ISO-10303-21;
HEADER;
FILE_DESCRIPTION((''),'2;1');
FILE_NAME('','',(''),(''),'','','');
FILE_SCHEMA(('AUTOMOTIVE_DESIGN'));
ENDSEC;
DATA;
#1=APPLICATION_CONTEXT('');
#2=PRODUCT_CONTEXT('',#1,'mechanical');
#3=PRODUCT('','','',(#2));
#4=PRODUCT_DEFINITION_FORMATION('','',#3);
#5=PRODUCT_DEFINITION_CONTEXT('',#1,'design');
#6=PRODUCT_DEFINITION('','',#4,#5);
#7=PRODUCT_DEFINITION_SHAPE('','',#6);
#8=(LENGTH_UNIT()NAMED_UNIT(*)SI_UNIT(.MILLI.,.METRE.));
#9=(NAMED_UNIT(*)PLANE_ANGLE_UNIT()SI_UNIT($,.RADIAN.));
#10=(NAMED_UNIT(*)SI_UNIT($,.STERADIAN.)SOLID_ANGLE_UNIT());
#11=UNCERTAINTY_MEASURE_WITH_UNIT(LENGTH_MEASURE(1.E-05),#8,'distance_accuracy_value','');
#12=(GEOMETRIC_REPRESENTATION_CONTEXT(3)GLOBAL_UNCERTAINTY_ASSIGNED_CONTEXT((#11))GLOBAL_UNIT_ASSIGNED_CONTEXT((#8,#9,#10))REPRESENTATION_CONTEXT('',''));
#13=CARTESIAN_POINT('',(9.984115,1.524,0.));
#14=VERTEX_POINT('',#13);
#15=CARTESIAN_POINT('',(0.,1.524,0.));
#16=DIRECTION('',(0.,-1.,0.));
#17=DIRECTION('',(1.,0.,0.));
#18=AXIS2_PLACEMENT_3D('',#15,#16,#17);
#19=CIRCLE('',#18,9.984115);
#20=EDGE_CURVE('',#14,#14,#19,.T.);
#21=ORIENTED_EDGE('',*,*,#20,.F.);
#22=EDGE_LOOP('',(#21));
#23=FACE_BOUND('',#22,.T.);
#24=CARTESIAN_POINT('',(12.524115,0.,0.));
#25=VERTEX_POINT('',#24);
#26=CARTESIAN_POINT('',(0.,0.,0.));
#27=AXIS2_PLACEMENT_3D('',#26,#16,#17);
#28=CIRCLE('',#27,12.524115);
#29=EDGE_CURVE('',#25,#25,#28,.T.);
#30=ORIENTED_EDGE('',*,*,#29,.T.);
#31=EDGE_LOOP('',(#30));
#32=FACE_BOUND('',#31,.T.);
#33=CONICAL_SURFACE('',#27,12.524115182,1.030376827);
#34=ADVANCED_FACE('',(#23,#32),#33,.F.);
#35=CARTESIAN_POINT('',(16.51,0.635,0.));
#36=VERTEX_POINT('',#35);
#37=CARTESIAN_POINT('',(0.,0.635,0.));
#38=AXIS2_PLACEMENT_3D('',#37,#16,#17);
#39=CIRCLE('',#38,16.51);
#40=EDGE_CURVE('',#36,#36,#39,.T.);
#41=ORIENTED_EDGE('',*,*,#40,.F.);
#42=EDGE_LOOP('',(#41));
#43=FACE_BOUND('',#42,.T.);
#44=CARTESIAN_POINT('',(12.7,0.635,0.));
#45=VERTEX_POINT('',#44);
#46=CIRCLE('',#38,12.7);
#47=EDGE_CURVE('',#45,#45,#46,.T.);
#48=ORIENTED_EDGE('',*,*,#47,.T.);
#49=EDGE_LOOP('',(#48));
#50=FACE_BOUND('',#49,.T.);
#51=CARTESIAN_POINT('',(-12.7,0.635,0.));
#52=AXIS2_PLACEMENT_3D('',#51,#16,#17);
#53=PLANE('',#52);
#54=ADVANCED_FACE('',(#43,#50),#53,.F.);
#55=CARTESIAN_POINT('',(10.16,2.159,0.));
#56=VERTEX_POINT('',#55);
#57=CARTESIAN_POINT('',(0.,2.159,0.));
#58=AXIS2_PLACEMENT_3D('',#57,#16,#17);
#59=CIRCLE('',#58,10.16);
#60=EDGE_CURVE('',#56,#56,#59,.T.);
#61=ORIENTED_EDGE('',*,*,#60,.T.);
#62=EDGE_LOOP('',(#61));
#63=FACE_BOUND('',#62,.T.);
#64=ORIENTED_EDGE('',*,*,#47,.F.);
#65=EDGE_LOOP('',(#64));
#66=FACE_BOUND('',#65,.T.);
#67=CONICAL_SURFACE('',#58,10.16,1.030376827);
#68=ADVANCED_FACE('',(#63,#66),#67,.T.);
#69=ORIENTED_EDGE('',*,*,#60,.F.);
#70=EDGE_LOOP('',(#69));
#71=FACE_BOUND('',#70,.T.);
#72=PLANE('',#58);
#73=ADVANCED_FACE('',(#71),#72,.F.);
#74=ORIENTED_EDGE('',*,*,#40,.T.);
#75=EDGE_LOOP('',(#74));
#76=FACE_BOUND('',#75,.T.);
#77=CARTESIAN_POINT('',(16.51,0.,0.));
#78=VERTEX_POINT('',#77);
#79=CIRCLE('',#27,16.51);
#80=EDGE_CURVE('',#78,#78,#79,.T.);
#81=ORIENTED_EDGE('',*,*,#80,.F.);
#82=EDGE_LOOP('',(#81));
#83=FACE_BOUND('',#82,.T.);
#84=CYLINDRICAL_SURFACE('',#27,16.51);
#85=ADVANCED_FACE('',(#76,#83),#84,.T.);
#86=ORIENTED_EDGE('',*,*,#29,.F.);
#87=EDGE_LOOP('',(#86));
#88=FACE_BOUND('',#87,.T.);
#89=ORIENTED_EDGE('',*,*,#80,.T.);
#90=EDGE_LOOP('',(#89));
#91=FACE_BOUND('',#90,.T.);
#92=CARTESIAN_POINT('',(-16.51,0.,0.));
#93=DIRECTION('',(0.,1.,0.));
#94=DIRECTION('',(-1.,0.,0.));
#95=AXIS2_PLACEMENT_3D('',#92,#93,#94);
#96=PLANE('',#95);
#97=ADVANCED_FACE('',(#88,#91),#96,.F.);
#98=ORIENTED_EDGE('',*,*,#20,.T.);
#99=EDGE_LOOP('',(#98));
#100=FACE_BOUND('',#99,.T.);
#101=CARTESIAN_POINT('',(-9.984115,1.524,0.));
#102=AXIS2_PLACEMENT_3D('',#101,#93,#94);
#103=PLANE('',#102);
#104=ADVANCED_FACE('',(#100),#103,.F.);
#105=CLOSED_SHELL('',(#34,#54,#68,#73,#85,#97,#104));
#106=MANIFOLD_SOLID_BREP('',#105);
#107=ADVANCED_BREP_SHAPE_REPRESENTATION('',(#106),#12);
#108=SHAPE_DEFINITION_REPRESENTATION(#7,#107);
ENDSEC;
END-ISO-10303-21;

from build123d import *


with BuildPart() as part:
    # Sketch1 → Revolve1 (revolve)
    with BuildSketch(Plane.XY, mode=Mode.PRIVATE) as revolve1_sk:
        Polygon((-16.51, 0), (-12.524115182, 0), (-9.984115182, 1.524), (0, 1.524), (0, 2.159), (-10.16, 2.159), (-12.7, 0.635), (-16.51, 0.635), align=None)
    revolve(revolve1_sk.sketch.rotate(Axis((0, 0, 0), (0, 1, 0)), 180), axis=Axis((0, 0, 0), (0, 1, 0)))


solid = part.part
